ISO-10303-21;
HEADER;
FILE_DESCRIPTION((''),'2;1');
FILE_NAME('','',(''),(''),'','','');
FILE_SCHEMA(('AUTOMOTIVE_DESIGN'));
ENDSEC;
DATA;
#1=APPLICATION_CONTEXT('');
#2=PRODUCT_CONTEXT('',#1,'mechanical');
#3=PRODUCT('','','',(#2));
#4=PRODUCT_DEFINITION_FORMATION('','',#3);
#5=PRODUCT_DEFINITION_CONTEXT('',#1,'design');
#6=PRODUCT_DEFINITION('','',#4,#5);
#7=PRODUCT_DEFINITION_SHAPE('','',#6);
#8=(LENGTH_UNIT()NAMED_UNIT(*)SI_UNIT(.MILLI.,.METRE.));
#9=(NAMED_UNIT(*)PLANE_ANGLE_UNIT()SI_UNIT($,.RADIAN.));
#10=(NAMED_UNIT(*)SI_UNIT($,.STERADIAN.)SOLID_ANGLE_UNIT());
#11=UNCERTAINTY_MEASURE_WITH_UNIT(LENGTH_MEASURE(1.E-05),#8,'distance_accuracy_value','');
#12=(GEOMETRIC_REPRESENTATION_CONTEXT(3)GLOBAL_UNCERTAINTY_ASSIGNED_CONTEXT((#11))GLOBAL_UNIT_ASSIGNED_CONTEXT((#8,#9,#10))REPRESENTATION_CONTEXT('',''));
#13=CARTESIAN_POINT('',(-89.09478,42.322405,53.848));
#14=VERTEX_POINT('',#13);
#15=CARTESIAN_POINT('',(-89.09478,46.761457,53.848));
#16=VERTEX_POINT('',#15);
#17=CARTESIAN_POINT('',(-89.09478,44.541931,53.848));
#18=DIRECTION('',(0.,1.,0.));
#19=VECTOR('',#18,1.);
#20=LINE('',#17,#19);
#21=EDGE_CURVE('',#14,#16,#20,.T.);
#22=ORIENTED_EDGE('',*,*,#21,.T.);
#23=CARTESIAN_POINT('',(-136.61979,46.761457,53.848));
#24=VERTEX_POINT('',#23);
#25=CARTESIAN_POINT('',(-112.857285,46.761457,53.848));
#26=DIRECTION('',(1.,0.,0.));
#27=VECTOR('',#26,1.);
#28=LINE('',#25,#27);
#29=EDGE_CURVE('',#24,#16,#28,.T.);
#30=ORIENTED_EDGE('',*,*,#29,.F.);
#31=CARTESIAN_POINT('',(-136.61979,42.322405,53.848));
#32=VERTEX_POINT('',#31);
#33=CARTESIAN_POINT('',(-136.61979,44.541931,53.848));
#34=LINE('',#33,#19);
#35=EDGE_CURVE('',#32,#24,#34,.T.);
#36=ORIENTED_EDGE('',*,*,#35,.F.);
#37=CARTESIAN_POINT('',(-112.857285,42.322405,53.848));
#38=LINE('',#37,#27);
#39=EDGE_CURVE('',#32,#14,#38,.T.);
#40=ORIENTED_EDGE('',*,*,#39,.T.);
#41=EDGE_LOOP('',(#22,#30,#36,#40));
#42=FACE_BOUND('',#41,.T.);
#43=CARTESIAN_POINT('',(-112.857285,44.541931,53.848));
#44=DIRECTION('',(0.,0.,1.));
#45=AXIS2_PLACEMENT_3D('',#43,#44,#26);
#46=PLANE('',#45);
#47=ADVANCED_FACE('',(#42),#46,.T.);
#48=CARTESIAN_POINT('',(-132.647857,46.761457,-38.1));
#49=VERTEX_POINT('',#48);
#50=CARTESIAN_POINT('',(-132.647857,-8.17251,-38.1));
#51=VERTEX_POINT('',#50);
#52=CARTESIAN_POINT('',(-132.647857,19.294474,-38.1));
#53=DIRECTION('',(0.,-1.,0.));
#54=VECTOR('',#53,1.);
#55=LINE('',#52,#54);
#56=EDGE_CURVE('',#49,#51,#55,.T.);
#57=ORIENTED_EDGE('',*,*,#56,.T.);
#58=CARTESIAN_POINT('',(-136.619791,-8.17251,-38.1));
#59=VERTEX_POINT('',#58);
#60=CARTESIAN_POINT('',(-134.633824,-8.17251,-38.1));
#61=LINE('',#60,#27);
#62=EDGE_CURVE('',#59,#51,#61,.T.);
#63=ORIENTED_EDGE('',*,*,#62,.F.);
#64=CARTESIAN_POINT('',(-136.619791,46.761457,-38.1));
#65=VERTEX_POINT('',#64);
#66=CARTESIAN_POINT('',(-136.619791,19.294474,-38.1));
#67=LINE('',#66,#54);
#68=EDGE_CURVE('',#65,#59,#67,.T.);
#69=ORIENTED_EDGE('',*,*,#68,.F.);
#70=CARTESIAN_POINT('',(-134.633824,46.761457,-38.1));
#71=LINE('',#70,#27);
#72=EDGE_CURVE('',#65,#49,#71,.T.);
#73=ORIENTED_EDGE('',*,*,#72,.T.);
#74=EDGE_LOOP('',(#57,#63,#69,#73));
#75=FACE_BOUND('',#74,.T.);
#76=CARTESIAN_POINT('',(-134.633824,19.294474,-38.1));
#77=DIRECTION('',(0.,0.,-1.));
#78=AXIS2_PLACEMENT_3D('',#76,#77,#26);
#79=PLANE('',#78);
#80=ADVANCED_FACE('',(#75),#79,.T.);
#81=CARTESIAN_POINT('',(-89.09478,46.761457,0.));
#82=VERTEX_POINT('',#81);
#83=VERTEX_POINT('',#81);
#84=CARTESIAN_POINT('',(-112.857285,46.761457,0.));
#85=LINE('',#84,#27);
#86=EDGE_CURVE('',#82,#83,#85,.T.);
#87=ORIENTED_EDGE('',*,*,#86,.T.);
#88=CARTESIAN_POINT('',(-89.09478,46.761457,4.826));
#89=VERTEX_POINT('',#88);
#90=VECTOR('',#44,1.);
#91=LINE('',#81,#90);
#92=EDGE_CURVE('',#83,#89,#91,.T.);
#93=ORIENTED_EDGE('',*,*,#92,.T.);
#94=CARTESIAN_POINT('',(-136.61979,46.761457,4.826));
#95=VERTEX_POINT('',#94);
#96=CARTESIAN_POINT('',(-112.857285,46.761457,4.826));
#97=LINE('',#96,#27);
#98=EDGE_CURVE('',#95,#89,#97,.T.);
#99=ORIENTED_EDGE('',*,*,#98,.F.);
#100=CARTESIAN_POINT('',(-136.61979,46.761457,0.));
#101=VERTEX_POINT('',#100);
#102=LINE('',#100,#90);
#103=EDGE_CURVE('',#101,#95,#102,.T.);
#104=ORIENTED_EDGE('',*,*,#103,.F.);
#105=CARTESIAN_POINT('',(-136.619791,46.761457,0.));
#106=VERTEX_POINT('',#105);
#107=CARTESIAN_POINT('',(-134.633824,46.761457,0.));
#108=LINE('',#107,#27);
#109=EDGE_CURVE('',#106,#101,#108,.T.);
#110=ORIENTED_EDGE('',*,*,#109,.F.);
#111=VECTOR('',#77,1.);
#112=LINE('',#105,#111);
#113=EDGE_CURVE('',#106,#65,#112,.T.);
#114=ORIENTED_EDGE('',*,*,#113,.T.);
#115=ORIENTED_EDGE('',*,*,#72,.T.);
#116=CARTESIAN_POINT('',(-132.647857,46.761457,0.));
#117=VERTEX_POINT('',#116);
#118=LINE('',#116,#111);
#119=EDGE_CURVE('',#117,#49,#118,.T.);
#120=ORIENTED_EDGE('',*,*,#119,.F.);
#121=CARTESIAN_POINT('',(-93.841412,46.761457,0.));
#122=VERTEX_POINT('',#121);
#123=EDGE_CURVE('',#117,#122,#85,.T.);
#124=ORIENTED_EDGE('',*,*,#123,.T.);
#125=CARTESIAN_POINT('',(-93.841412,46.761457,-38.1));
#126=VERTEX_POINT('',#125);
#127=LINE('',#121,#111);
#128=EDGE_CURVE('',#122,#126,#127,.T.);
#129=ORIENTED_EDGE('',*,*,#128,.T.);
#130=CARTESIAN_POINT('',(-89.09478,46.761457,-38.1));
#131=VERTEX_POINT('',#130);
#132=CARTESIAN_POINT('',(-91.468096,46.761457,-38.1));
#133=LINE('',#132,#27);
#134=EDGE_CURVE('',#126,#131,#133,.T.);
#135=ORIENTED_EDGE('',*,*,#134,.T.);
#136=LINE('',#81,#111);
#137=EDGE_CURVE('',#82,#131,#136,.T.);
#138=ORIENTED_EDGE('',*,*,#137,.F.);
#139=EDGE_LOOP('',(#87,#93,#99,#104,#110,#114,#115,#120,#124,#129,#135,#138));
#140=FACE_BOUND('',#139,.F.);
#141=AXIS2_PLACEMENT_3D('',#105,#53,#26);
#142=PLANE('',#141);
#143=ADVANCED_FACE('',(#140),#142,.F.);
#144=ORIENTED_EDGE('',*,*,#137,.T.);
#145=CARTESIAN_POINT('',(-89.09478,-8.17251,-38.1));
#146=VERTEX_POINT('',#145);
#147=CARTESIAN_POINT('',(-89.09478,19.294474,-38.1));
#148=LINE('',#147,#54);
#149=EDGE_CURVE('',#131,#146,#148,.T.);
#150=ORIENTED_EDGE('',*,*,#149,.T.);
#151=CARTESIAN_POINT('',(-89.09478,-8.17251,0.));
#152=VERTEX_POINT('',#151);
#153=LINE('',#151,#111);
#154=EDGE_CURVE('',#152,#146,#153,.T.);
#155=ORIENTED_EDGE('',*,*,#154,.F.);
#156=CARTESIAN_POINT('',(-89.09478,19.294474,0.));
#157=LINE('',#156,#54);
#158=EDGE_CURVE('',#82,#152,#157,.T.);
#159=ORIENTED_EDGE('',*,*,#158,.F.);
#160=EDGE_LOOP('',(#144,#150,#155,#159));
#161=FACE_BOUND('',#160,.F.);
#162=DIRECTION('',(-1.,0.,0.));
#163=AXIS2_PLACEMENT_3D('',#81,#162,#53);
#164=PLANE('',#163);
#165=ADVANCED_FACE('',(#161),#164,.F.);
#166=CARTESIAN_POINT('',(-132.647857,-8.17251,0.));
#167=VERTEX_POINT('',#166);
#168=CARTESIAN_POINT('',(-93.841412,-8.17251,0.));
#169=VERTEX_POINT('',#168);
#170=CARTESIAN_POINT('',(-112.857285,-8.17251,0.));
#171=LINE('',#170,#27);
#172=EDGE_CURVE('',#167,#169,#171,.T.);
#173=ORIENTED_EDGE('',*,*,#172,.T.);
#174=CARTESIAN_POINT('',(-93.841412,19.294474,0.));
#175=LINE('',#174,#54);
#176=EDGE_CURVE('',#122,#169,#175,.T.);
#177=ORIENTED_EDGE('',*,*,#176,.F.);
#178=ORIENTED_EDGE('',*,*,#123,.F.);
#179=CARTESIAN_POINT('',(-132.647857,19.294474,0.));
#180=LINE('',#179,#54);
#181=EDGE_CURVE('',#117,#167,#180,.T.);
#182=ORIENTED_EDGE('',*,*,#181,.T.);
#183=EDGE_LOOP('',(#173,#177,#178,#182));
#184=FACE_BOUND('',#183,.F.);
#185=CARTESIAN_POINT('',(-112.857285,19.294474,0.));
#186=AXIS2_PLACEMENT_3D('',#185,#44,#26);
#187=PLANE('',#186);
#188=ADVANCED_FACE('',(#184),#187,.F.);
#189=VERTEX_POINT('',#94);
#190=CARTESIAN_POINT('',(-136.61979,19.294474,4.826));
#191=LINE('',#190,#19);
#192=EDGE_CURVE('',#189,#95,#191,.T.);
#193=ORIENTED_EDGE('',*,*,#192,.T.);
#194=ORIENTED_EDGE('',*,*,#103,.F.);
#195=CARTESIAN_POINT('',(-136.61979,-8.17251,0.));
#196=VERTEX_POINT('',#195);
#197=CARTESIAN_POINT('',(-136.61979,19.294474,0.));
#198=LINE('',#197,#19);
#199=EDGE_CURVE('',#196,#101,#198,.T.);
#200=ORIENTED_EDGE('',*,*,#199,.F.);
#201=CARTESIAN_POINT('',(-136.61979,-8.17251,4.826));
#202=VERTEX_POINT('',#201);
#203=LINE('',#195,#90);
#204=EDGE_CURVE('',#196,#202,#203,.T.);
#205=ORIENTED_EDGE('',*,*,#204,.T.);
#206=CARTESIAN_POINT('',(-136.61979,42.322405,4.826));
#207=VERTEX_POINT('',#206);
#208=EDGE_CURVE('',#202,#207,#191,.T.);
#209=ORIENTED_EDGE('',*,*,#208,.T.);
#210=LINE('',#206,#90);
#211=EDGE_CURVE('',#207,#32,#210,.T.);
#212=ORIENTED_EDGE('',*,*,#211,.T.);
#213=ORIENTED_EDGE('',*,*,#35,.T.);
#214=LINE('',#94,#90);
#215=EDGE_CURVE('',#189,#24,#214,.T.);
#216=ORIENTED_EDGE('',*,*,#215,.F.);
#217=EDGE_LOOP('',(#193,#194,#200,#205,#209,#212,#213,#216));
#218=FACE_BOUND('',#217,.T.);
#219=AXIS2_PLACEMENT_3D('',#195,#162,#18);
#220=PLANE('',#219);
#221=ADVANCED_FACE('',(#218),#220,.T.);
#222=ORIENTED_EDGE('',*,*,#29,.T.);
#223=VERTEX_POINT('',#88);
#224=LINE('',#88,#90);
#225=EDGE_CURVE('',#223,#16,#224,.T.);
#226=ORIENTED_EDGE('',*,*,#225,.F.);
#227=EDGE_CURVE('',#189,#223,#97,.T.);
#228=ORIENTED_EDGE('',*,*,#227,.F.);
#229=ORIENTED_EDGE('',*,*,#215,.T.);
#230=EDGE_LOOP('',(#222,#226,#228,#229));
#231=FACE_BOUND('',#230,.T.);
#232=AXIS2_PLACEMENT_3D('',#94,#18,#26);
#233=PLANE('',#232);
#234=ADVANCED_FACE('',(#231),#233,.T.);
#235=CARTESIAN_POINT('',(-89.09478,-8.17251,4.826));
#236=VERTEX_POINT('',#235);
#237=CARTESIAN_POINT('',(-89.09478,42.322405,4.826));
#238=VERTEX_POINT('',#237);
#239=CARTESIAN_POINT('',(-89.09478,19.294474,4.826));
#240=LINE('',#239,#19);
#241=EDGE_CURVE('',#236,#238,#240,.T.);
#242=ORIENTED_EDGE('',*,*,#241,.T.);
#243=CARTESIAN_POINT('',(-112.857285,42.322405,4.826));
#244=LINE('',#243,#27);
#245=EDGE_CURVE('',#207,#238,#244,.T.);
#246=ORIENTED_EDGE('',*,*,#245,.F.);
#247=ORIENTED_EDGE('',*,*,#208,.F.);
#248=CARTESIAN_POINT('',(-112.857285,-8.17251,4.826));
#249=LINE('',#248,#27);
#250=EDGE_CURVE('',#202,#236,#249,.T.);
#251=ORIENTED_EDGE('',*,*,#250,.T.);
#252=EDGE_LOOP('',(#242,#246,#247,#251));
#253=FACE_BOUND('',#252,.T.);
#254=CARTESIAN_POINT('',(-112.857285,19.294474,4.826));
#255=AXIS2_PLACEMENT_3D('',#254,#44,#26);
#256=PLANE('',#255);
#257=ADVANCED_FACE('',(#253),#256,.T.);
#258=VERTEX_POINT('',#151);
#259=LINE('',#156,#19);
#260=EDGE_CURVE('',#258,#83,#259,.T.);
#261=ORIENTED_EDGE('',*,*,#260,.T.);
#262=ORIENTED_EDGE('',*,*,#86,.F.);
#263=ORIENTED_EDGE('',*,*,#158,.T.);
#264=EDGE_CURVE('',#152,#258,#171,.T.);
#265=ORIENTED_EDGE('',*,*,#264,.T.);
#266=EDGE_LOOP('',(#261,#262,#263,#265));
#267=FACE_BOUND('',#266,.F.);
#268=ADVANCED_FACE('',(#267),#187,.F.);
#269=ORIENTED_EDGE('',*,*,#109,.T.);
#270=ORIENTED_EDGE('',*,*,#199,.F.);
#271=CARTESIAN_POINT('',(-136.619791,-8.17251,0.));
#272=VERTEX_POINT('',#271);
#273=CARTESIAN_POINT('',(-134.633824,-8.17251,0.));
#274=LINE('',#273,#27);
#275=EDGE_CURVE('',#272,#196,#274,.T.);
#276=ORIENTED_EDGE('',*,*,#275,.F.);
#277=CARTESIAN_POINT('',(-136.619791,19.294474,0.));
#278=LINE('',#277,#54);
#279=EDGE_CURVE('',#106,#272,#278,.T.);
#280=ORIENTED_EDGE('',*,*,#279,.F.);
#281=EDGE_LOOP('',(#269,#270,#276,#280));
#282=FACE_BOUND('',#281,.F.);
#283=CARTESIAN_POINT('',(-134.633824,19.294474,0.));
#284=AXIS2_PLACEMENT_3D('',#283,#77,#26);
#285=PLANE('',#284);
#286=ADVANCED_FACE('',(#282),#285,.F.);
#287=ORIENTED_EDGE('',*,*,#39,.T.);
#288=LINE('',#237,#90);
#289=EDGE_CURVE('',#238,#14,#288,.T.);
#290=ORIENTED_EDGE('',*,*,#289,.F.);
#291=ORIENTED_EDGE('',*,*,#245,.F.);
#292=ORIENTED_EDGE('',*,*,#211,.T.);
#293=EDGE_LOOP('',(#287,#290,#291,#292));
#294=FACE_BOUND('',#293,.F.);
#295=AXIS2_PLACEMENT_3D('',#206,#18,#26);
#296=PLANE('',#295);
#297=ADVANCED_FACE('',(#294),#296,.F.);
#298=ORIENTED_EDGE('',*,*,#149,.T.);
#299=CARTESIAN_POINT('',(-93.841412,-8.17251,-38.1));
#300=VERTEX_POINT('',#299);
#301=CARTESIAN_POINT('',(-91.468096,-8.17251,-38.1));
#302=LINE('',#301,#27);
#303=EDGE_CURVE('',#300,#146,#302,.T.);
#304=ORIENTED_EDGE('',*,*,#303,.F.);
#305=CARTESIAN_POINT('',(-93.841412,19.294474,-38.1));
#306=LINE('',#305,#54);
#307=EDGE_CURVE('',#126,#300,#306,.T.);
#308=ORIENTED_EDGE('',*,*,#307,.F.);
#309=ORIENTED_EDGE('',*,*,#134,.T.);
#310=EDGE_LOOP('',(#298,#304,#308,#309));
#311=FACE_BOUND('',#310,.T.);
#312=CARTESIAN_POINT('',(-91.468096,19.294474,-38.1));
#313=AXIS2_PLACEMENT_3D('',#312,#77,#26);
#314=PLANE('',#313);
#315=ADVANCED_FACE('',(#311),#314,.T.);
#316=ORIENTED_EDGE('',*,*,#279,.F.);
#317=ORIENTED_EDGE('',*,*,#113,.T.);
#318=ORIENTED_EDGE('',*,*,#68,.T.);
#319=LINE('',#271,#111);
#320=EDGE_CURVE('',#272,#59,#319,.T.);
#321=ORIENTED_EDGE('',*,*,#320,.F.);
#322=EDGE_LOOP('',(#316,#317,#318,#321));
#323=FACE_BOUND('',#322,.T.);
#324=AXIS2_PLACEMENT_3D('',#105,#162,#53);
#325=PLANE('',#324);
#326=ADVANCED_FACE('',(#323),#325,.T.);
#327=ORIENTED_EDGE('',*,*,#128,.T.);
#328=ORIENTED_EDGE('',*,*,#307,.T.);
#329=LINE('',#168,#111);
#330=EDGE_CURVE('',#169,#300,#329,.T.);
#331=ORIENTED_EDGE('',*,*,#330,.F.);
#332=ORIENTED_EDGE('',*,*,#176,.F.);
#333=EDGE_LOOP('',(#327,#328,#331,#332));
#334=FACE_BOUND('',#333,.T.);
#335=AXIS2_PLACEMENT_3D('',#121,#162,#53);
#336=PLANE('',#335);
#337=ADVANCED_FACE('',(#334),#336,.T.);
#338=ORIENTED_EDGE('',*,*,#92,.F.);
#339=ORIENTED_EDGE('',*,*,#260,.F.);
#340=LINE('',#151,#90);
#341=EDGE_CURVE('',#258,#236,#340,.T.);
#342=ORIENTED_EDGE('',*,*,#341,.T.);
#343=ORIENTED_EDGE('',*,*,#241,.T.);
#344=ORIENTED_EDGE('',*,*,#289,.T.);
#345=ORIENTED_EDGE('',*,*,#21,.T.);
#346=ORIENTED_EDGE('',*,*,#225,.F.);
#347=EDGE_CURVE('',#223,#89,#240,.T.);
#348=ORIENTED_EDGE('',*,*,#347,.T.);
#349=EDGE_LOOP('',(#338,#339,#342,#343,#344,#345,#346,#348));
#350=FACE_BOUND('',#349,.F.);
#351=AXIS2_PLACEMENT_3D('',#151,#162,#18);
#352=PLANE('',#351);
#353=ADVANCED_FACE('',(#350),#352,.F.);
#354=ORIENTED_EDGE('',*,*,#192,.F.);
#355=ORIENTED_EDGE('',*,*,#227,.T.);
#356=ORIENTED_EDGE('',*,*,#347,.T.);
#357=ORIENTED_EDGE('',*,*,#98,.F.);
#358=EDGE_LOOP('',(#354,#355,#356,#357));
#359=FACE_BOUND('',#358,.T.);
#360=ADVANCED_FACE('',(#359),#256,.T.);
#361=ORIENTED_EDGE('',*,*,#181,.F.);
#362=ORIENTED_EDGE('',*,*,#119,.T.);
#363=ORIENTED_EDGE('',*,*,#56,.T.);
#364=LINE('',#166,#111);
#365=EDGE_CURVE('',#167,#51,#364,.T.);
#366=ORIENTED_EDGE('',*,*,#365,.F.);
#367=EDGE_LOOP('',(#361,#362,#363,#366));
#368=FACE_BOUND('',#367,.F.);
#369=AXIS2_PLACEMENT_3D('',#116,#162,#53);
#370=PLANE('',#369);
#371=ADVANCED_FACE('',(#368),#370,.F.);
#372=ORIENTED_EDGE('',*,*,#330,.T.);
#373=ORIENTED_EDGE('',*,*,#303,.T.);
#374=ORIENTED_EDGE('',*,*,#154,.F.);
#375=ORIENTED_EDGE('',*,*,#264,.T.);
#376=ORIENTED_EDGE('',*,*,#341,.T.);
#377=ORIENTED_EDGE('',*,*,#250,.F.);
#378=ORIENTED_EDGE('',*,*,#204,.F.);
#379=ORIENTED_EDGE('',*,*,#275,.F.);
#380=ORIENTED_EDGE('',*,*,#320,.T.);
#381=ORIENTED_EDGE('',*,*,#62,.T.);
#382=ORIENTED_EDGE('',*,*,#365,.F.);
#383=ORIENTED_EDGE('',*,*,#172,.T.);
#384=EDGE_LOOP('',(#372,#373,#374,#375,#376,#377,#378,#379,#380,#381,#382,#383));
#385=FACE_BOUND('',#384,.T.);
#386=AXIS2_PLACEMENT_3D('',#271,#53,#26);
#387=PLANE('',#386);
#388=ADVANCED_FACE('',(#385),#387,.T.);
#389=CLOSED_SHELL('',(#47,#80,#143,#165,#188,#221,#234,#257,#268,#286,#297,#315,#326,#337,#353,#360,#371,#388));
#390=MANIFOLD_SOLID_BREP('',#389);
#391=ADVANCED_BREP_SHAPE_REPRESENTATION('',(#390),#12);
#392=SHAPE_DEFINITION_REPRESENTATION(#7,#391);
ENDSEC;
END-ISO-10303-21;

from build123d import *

# Parameters (mm, degrees)
F0_W     = 47.525011
F0_H     = 54.933967
F1_DEPTH = 4.826
F2_W     = 47.525011
F2_H     = 4.439052
F3_DEPTH = 49.022
F4_W     = 4.746631
F4_H     = 54.933967
F5_DEPTH = 38.1
F6_W     = 3.971934
F6_H     = 54.933967
F7_DEPTH = 38.1


with BuildPart() as f1:
    # F0 (on Top) → F1 (new body)
    with BuildSketch(Plane.XY):
        with Locations((-112.857285, 19.294474)):
            Rectangle(F0_W, F0_H)
    extrude(amount=F1_DEPTH)

    # F2 (on face) → F3 (join)
    with BuildSketch(Plane.XY.offset(4.826)):
        with Locations((-112.857285, 44.541931)):
            Rectangle(F2_W, F2_H)
    extrude(amount=F3_DEPTH)

    # F4 (on face) → F5 (join)
    with BuildSketch(Plane(origin=(0, 0, 0), x_dir=(1, 0, 0), z_dir=(0, 0, -1))):
        with Locations((-91.468096, -19.294474)):
            Rectangle(F4_W, F4_H)
    extrude(amount=F5_DEPTH)

    # F6 (on face) → F7 (join)
    with BuildSketch(Plane(origin=(0, 0, 0), x_dir=(1, 0, 0), z_dir=(0, 0, -1))):
        with Locations((-134.633824, -19.294474)):
            Rectangle(F6_W, F6_H)
    extrude(amount=F7_DEPTH)


solid = f1.part
